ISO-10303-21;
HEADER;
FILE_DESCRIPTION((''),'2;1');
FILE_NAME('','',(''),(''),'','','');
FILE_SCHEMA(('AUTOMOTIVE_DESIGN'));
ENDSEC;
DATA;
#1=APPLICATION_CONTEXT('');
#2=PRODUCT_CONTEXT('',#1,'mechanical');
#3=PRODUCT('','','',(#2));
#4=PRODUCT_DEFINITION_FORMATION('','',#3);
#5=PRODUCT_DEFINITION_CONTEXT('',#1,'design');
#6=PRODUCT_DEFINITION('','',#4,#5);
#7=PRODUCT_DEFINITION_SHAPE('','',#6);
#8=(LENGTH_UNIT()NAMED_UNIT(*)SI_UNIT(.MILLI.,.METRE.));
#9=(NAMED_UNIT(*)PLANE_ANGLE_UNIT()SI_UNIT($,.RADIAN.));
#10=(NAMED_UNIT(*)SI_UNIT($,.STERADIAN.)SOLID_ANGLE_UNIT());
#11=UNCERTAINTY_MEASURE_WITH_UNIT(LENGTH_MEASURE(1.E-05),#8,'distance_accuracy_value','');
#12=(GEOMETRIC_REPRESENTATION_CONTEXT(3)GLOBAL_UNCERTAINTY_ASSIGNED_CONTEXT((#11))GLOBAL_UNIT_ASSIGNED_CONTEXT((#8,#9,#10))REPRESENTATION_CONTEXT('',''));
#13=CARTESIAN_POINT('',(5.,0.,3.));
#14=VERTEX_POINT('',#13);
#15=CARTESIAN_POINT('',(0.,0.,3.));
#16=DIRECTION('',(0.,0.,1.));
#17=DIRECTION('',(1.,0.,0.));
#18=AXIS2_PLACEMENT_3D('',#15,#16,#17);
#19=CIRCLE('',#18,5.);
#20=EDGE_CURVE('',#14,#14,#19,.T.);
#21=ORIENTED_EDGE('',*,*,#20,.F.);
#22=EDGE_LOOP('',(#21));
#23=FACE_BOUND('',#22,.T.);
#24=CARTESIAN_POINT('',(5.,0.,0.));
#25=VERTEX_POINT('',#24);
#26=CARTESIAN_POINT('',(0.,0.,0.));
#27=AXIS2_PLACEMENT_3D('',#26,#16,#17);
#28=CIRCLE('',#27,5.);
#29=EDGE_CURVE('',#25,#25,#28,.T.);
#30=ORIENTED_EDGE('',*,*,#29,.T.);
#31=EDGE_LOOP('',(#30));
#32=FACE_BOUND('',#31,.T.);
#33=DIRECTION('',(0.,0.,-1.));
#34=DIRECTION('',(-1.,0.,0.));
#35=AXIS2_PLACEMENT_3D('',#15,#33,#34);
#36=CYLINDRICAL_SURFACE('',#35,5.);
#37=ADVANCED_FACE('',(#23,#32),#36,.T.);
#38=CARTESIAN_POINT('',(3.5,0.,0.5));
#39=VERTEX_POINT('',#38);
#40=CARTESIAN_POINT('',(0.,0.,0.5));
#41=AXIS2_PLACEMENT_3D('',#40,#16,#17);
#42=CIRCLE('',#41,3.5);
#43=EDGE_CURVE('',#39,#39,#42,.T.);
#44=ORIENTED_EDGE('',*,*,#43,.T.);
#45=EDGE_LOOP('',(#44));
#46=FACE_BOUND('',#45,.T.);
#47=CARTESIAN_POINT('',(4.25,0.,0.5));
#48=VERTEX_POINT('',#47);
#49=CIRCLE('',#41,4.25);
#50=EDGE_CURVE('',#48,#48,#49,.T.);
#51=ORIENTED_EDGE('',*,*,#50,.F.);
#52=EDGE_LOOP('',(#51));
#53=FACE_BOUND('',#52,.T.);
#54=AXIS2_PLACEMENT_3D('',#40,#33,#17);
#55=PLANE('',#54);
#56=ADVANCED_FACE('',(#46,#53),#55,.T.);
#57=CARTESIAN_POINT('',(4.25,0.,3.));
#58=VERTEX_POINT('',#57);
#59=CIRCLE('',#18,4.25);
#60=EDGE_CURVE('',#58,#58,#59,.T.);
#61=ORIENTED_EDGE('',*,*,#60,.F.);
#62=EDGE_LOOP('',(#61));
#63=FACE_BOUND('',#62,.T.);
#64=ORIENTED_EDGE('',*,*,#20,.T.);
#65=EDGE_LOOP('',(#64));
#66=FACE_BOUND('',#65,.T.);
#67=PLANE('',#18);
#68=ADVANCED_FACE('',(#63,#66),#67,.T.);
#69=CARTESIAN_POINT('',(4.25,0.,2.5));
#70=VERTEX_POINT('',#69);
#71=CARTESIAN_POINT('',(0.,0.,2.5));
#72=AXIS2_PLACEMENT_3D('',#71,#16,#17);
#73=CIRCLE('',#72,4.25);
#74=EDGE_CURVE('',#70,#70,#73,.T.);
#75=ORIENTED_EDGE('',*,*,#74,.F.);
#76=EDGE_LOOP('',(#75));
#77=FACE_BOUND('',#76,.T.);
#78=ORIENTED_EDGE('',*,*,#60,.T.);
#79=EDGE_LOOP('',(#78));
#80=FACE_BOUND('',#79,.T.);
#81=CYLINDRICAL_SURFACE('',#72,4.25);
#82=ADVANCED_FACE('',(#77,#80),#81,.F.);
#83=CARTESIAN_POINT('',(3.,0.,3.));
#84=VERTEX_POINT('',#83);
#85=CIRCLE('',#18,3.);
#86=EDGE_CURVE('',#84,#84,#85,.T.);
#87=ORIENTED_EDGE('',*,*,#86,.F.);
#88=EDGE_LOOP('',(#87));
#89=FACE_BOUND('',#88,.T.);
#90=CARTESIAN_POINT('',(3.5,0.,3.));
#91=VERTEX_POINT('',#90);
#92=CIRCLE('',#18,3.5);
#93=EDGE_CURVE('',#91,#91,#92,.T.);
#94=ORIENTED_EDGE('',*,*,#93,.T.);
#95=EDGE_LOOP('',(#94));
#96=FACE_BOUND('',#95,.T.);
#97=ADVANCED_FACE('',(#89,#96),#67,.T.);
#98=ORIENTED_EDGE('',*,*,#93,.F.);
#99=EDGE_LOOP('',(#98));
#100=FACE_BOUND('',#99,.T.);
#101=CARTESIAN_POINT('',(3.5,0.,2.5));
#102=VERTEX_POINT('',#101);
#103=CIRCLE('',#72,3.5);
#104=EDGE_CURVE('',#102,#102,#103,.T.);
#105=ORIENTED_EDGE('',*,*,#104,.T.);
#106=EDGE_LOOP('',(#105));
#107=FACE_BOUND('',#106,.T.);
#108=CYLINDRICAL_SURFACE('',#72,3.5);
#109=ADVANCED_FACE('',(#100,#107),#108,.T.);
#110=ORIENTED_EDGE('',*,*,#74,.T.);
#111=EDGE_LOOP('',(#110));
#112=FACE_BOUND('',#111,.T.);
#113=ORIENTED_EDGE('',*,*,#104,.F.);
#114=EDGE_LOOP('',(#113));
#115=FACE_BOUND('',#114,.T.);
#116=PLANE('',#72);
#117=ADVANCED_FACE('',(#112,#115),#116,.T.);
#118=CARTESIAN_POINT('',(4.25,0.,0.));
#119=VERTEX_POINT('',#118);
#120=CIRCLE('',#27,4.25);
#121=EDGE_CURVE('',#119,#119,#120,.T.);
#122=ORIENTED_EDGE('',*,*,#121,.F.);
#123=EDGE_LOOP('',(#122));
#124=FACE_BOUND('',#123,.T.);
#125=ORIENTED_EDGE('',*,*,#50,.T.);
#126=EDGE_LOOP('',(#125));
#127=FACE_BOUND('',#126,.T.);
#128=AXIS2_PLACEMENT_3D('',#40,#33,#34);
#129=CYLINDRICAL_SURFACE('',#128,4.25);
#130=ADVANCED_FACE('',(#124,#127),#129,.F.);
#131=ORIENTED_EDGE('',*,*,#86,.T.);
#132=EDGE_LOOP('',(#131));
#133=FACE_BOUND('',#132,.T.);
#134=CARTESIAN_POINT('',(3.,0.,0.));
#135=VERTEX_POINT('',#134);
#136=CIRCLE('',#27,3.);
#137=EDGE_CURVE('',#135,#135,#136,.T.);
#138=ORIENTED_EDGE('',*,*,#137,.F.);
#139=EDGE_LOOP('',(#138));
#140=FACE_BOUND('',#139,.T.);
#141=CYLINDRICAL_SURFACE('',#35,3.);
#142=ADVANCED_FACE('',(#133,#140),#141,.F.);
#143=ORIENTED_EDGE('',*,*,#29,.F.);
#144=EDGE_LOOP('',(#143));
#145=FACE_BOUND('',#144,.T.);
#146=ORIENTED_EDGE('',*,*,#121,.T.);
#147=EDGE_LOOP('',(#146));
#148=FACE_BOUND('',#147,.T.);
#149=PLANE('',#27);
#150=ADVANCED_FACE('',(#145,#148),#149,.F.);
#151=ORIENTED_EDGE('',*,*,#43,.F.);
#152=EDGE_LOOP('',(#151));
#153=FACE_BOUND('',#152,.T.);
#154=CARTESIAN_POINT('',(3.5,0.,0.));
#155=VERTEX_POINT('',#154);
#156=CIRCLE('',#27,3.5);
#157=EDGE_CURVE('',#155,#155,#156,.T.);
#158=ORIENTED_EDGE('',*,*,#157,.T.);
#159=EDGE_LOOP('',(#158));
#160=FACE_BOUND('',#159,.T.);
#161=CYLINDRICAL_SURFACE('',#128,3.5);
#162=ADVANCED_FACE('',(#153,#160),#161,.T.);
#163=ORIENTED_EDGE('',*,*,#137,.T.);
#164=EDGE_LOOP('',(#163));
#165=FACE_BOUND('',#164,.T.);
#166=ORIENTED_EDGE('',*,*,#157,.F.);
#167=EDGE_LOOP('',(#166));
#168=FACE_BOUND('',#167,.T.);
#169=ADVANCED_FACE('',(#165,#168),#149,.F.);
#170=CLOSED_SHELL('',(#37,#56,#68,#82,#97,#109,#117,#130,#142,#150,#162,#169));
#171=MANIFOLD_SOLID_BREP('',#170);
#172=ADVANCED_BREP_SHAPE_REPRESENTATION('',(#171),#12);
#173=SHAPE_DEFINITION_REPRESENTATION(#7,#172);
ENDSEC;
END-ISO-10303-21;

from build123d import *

# Parameters (mm, degrees)
SKETCH_1_R          = 5
SKETCH_1_R_2        = 3
EXTRUDE_1_DEPTH     = 3
SKETCH_2_R          = 4.25
SKETCH_2_R_2        = 3.5
CUT_EXTRUDE_1_DEPTH = 0.5


with BuildPart() as part:
    # 草图1 → 凸台-拉伸1 (new body)
    with BuildSketch(Plane.XY):
        Circle(SKETCH_1_R)
        Circle(SKETCH_1_R_2, mode=Mode.SUBTRACT)
    extrude(amount=EXTRUDE_1_DEPTH)

    # 草图2 → 切除-拉伸1 (cut)
    with BuildSketch(Plane.XY.offset(3)):
        Circle(SKETCH_2_R)
        Circle(SKETCH_2_R_2, mode=Mode.SUBTRACT)
    cut_extrude_1 = extrude(amount=-CUT_EXTRUDE_1_DEPTH, mode=Mode.SUBTRACT)

    # 镜向1: 切除-拉伸1 across plane
    add(cut_extrude_1.mirror(Plane.XY.offset(1.5)), mode=Mode.SUBTRACT)


solid = part.part
